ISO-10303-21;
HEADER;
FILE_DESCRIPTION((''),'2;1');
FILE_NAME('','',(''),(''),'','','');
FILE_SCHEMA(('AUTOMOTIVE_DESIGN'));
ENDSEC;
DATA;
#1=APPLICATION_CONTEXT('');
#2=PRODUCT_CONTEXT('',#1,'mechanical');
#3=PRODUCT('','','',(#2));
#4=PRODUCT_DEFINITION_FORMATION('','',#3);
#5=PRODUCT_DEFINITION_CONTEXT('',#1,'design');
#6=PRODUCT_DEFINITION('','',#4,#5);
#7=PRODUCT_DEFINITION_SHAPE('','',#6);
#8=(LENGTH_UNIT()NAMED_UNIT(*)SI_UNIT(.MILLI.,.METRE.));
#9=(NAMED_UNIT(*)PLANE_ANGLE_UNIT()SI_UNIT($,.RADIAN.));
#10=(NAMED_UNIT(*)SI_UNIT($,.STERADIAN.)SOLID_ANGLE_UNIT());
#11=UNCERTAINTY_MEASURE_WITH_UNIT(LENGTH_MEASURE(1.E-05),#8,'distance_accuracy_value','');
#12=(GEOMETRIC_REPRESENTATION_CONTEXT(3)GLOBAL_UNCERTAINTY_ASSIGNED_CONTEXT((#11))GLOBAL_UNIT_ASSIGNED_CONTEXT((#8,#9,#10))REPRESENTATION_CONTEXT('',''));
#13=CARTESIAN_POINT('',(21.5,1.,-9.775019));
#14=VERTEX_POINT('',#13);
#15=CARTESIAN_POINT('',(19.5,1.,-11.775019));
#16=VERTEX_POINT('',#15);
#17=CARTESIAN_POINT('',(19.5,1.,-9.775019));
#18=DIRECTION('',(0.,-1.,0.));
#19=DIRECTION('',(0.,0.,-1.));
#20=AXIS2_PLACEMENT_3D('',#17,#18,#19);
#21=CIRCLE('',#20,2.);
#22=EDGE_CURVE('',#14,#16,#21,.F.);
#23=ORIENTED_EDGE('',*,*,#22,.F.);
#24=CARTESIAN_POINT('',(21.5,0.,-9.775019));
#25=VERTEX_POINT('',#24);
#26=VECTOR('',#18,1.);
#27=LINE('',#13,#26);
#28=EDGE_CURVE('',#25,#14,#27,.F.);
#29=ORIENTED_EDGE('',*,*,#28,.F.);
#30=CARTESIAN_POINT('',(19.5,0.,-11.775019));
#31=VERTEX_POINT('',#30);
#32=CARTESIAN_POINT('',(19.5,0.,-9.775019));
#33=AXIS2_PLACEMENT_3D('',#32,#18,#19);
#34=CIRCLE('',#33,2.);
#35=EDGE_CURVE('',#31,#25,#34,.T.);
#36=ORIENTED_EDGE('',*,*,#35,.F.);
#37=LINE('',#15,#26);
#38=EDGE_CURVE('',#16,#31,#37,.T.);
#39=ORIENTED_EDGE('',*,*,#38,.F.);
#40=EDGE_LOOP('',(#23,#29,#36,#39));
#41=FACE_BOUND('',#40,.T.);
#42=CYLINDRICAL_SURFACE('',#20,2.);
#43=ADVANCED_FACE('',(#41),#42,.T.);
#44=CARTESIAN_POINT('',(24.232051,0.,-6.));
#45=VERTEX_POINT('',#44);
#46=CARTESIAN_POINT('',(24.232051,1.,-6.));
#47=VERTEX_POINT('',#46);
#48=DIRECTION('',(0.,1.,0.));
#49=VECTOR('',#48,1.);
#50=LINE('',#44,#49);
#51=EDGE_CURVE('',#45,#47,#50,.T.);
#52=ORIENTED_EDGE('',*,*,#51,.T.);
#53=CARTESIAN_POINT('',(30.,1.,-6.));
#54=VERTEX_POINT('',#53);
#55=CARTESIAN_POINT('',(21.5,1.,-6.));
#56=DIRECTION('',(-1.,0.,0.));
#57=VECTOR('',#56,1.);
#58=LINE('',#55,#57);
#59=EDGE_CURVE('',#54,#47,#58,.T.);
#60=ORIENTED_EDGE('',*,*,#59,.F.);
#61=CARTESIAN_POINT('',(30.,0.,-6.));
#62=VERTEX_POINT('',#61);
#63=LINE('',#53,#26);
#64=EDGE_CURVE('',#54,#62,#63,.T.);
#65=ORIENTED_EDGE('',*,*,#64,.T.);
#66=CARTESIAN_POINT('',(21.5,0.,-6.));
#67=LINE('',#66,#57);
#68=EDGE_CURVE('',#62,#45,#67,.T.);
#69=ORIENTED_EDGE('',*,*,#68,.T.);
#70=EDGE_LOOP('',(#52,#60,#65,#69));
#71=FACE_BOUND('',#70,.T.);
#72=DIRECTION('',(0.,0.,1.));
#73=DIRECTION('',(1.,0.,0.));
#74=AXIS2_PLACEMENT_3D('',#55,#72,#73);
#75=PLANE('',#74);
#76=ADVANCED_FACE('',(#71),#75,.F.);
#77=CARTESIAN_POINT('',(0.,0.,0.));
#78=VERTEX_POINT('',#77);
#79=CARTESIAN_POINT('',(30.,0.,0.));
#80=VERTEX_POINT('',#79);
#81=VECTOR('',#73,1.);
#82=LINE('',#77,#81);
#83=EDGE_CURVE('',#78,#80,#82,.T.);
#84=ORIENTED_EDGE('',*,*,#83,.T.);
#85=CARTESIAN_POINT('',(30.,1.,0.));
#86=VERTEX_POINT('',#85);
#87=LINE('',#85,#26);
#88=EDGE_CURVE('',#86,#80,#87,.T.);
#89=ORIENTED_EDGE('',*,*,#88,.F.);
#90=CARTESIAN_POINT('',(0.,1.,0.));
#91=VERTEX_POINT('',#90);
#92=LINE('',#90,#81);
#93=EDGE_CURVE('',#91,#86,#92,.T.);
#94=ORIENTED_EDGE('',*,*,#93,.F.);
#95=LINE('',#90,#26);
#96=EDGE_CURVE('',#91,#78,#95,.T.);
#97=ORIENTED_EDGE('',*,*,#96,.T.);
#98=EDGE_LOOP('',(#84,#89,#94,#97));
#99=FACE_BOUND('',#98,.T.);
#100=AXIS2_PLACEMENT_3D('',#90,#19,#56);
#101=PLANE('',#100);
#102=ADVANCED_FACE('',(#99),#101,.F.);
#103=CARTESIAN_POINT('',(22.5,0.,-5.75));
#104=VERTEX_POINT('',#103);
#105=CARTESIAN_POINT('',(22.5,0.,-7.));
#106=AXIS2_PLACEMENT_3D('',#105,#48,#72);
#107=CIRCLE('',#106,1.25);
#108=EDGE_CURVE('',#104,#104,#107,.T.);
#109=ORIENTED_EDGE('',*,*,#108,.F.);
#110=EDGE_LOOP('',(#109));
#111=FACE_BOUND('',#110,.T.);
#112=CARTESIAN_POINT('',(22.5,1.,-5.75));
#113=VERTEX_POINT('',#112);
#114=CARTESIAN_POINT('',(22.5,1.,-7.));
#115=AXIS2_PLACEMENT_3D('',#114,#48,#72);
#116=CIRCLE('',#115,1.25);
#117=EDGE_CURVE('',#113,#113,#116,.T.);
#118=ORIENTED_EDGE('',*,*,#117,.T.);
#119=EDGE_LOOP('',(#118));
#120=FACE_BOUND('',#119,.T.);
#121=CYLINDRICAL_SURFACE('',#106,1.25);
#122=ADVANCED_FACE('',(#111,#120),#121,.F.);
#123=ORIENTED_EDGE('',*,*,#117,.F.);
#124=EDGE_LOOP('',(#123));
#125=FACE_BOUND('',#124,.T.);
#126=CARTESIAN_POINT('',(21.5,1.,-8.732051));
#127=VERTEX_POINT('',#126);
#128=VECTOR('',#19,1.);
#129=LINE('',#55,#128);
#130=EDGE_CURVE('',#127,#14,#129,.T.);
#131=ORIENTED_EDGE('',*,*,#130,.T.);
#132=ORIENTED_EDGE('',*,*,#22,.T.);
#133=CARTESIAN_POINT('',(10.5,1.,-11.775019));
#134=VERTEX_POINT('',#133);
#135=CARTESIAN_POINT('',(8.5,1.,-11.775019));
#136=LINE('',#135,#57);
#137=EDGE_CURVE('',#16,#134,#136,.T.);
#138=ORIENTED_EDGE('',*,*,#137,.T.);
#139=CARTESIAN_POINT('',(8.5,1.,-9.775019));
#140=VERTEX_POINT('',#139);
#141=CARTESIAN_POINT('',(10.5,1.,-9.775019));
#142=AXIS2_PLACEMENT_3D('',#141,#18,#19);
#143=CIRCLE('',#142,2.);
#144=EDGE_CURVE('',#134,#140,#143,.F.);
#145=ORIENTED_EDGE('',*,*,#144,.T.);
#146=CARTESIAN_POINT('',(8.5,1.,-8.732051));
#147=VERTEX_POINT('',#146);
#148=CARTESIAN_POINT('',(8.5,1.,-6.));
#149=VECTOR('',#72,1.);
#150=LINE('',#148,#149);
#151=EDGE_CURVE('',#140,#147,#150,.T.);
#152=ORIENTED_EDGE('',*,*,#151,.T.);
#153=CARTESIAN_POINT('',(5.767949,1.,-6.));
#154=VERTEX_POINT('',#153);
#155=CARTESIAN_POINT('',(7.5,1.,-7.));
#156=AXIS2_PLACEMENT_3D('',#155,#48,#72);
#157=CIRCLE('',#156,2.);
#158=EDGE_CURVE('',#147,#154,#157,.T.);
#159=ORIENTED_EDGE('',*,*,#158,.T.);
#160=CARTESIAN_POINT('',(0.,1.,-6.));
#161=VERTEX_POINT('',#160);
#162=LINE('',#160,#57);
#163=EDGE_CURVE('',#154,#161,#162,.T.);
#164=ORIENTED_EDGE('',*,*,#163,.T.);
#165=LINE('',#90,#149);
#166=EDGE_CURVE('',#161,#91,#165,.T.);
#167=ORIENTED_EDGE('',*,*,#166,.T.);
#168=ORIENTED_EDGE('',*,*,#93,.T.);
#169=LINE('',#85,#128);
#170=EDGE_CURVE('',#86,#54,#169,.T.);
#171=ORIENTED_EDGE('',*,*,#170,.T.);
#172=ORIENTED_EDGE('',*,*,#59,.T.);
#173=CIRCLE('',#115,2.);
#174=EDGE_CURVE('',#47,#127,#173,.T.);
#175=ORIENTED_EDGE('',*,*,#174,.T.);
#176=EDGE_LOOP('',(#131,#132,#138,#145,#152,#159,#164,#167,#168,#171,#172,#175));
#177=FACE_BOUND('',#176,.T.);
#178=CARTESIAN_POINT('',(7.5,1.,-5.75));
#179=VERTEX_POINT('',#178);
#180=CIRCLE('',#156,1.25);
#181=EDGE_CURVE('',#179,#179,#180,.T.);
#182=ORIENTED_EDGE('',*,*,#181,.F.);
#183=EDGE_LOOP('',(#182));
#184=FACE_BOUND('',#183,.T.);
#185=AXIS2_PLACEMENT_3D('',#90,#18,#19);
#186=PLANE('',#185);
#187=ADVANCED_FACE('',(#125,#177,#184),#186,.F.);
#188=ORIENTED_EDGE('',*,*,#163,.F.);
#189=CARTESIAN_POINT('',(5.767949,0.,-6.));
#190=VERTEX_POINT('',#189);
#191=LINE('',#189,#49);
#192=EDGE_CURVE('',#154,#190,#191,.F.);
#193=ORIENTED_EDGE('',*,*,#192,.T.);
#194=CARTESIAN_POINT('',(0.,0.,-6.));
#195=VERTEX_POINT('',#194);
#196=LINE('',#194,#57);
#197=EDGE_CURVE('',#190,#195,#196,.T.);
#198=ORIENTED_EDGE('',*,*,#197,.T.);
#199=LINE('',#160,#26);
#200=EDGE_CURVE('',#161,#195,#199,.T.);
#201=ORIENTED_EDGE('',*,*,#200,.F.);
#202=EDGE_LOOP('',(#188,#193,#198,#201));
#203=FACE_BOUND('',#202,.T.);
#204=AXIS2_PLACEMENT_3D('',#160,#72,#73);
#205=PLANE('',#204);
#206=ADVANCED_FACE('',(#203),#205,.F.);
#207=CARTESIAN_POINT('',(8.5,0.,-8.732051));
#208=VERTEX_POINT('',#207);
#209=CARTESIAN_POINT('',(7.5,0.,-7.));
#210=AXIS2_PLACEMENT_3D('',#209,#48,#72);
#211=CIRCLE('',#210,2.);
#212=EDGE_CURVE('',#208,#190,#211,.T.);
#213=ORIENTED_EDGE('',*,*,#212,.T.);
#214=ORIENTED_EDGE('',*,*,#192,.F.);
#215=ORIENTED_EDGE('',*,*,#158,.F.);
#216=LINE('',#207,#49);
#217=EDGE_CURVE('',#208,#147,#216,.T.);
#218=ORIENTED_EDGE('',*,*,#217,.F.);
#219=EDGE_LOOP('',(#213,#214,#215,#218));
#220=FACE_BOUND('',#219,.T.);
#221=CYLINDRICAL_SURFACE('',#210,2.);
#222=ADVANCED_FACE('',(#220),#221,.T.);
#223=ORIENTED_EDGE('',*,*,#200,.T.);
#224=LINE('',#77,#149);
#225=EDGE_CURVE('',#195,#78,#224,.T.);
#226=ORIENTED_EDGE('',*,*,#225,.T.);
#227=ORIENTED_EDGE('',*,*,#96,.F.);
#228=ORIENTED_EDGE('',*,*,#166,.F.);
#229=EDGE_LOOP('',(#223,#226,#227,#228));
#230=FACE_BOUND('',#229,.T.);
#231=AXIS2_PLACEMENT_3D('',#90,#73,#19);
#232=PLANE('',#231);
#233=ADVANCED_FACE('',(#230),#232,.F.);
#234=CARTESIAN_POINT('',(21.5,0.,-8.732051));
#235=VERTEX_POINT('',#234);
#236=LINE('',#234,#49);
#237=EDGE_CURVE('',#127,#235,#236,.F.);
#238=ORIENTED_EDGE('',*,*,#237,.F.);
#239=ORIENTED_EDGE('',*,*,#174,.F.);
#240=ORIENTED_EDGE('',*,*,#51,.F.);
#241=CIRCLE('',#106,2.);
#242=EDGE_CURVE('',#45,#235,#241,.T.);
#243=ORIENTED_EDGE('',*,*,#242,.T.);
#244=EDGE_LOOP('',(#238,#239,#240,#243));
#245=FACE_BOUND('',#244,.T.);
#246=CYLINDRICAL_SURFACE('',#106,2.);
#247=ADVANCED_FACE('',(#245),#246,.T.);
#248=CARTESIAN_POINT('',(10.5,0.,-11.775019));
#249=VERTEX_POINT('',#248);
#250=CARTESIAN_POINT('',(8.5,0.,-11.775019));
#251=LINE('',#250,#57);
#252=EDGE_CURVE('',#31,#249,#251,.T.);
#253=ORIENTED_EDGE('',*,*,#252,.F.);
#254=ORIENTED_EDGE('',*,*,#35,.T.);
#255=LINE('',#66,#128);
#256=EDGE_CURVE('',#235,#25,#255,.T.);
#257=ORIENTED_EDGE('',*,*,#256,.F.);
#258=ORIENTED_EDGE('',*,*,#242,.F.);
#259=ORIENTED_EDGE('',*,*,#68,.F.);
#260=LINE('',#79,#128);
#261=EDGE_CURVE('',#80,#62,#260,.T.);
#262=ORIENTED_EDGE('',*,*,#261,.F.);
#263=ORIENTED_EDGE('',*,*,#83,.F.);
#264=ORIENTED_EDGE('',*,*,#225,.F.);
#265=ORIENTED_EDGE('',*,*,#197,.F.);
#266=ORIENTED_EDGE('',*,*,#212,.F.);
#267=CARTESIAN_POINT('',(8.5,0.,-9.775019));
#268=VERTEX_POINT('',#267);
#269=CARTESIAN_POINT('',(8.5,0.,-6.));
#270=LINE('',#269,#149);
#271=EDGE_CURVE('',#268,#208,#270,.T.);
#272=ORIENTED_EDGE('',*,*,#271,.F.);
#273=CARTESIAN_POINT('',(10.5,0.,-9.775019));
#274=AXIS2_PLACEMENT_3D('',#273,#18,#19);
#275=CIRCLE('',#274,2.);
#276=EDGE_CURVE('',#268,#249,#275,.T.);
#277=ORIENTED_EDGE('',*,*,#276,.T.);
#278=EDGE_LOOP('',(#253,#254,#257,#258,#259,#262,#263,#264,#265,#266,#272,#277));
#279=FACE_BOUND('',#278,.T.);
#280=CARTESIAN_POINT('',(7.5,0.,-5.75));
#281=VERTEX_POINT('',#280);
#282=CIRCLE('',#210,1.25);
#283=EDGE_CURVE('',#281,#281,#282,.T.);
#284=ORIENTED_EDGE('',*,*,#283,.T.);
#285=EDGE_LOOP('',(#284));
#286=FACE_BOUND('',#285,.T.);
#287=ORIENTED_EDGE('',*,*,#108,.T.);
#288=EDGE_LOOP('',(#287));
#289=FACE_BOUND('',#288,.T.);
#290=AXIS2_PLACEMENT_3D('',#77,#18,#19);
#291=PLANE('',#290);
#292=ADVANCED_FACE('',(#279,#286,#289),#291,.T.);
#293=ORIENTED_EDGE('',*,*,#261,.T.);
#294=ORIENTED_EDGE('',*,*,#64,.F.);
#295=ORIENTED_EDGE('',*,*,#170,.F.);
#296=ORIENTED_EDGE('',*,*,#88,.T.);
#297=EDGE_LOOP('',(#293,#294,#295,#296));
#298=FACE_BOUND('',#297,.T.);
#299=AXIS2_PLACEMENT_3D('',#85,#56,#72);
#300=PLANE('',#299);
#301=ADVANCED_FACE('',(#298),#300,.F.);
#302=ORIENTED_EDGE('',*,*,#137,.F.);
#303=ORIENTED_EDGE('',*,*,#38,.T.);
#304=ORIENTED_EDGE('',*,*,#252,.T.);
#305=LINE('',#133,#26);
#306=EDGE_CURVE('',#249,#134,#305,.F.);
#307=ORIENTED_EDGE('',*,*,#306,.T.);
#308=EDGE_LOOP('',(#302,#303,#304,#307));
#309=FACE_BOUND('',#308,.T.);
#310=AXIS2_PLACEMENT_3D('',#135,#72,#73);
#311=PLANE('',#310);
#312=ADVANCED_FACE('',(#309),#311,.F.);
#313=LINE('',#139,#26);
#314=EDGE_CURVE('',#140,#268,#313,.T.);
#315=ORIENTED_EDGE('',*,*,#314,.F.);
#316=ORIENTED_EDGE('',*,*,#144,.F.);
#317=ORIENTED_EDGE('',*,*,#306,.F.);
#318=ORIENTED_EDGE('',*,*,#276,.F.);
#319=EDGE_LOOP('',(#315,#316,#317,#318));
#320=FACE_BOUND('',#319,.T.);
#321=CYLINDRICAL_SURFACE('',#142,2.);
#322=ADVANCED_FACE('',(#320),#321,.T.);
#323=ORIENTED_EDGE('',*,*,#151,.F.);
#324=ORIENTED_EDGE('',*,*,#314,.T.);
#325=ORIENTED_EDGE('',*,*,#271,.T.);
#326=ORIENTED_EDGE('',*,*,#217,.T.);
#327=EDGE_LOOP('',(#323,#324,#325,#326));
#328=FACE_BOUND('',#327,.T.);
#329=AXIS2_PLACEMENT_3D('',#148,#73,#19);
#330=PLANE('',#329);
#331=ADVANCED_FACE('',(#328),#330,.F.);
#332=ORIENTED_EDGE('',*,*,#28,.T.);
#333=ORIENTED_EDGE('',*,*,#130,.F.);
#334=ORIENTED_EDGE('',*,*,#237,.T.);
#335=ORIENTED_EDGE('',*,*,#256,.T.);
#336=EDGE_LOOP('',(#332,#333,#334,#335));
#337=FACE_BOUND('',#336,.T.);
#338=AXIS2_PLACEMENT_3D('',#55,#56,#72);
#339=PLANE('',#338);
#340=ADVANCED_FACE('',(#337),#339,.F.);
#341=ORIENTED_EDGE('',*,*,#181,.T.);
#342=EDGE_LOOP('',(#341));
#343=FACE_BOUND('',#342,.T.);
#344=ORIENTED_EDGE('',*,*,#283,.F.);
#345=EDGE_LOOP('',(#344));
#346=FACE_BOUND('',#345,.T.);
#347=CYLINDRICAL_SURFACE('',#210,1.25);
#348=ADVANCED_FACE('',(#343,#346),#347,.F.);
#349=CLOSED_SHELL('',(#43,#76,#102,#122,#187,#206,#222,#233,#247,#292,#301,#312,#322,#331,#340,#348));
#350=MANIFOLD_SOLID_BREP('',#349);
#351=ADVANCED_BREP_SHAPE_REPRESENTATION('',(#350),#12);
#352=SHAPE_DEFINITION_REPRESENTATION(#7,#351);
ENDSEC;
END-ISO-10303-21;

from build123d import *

# Parameters (mm, degrees)
BOSS_EXTRU_1_DEPTH      = 1
ESQUISSE2_R             = 2
BOSS_EXTRU_2_DEPTH      = 1
ESQUISSE3_R             = 1.25
ENL_V_MAT_EXTRU_1_DEPTH = 33.243620766
CONG_1_R                = 2


with BuildPart() as part:
    # Esquisse1 → Boss.-Extru.1 (new body)
    with BuildSketch(Plane(origin=(0, 0, 0), x_dir=(1, 0, 0), z_dir=(0, 1, 0))):
        Polygon((21.5, 6), (30, 6), (30, 0), (0, 0), (0, 6), (8.5, 6), (8.5, 11.775019325), (21.5, 11.775019325), align=None)
    extrude(amount=BOSS_EXTRU_1_DEPTH)

    # Esquisse2 → Boss.-Extru.2 (add)
    with BuildSketch(Plane(origin=(0, 1, 0), x_dir=(1, 0, 0), z_dir=(0, 1, 0))):
        with Locations((7.5, 7)):
            Circle(ESQUISSE2_R)
        with Locations((22.5, 7)):
            Circle(ESQUISSE2_R)
    extrude(amount=-BOSS_EXTRU_2_DEPTH)

    # Esquisse3 → Enlèv. mat.-Extru.1 (cut, through all)
    with BuildSketch(Plane(origin=(0, 1, 0), x_dir=(1, 0, 0), z_dir=(0, 1, 0))):
        with Locations(Location((7.5, 7, 0), (0, 0, 270))):
            Circle(ESQUISSE3_R)
        with Locations(Location((22.5, 7, 0), (0, 0, 270))):
            Circle(ESQUISSE3_R)
    extrude(amount=-ENL_V_MAT_EXTRU_1_DEPTH, mode=Mode.SUBTRACT)

    # Congé1
    cong_1_edges = [part.edges().sort_by_distance(p)[0] for p in [
        (8.5, 0.5, -11.775019325),
        (21.5, 0.5, -11.775019325),
    ]]
    fillet(cong_1_edges, radius=CONG_1_R)


solid = part.part
